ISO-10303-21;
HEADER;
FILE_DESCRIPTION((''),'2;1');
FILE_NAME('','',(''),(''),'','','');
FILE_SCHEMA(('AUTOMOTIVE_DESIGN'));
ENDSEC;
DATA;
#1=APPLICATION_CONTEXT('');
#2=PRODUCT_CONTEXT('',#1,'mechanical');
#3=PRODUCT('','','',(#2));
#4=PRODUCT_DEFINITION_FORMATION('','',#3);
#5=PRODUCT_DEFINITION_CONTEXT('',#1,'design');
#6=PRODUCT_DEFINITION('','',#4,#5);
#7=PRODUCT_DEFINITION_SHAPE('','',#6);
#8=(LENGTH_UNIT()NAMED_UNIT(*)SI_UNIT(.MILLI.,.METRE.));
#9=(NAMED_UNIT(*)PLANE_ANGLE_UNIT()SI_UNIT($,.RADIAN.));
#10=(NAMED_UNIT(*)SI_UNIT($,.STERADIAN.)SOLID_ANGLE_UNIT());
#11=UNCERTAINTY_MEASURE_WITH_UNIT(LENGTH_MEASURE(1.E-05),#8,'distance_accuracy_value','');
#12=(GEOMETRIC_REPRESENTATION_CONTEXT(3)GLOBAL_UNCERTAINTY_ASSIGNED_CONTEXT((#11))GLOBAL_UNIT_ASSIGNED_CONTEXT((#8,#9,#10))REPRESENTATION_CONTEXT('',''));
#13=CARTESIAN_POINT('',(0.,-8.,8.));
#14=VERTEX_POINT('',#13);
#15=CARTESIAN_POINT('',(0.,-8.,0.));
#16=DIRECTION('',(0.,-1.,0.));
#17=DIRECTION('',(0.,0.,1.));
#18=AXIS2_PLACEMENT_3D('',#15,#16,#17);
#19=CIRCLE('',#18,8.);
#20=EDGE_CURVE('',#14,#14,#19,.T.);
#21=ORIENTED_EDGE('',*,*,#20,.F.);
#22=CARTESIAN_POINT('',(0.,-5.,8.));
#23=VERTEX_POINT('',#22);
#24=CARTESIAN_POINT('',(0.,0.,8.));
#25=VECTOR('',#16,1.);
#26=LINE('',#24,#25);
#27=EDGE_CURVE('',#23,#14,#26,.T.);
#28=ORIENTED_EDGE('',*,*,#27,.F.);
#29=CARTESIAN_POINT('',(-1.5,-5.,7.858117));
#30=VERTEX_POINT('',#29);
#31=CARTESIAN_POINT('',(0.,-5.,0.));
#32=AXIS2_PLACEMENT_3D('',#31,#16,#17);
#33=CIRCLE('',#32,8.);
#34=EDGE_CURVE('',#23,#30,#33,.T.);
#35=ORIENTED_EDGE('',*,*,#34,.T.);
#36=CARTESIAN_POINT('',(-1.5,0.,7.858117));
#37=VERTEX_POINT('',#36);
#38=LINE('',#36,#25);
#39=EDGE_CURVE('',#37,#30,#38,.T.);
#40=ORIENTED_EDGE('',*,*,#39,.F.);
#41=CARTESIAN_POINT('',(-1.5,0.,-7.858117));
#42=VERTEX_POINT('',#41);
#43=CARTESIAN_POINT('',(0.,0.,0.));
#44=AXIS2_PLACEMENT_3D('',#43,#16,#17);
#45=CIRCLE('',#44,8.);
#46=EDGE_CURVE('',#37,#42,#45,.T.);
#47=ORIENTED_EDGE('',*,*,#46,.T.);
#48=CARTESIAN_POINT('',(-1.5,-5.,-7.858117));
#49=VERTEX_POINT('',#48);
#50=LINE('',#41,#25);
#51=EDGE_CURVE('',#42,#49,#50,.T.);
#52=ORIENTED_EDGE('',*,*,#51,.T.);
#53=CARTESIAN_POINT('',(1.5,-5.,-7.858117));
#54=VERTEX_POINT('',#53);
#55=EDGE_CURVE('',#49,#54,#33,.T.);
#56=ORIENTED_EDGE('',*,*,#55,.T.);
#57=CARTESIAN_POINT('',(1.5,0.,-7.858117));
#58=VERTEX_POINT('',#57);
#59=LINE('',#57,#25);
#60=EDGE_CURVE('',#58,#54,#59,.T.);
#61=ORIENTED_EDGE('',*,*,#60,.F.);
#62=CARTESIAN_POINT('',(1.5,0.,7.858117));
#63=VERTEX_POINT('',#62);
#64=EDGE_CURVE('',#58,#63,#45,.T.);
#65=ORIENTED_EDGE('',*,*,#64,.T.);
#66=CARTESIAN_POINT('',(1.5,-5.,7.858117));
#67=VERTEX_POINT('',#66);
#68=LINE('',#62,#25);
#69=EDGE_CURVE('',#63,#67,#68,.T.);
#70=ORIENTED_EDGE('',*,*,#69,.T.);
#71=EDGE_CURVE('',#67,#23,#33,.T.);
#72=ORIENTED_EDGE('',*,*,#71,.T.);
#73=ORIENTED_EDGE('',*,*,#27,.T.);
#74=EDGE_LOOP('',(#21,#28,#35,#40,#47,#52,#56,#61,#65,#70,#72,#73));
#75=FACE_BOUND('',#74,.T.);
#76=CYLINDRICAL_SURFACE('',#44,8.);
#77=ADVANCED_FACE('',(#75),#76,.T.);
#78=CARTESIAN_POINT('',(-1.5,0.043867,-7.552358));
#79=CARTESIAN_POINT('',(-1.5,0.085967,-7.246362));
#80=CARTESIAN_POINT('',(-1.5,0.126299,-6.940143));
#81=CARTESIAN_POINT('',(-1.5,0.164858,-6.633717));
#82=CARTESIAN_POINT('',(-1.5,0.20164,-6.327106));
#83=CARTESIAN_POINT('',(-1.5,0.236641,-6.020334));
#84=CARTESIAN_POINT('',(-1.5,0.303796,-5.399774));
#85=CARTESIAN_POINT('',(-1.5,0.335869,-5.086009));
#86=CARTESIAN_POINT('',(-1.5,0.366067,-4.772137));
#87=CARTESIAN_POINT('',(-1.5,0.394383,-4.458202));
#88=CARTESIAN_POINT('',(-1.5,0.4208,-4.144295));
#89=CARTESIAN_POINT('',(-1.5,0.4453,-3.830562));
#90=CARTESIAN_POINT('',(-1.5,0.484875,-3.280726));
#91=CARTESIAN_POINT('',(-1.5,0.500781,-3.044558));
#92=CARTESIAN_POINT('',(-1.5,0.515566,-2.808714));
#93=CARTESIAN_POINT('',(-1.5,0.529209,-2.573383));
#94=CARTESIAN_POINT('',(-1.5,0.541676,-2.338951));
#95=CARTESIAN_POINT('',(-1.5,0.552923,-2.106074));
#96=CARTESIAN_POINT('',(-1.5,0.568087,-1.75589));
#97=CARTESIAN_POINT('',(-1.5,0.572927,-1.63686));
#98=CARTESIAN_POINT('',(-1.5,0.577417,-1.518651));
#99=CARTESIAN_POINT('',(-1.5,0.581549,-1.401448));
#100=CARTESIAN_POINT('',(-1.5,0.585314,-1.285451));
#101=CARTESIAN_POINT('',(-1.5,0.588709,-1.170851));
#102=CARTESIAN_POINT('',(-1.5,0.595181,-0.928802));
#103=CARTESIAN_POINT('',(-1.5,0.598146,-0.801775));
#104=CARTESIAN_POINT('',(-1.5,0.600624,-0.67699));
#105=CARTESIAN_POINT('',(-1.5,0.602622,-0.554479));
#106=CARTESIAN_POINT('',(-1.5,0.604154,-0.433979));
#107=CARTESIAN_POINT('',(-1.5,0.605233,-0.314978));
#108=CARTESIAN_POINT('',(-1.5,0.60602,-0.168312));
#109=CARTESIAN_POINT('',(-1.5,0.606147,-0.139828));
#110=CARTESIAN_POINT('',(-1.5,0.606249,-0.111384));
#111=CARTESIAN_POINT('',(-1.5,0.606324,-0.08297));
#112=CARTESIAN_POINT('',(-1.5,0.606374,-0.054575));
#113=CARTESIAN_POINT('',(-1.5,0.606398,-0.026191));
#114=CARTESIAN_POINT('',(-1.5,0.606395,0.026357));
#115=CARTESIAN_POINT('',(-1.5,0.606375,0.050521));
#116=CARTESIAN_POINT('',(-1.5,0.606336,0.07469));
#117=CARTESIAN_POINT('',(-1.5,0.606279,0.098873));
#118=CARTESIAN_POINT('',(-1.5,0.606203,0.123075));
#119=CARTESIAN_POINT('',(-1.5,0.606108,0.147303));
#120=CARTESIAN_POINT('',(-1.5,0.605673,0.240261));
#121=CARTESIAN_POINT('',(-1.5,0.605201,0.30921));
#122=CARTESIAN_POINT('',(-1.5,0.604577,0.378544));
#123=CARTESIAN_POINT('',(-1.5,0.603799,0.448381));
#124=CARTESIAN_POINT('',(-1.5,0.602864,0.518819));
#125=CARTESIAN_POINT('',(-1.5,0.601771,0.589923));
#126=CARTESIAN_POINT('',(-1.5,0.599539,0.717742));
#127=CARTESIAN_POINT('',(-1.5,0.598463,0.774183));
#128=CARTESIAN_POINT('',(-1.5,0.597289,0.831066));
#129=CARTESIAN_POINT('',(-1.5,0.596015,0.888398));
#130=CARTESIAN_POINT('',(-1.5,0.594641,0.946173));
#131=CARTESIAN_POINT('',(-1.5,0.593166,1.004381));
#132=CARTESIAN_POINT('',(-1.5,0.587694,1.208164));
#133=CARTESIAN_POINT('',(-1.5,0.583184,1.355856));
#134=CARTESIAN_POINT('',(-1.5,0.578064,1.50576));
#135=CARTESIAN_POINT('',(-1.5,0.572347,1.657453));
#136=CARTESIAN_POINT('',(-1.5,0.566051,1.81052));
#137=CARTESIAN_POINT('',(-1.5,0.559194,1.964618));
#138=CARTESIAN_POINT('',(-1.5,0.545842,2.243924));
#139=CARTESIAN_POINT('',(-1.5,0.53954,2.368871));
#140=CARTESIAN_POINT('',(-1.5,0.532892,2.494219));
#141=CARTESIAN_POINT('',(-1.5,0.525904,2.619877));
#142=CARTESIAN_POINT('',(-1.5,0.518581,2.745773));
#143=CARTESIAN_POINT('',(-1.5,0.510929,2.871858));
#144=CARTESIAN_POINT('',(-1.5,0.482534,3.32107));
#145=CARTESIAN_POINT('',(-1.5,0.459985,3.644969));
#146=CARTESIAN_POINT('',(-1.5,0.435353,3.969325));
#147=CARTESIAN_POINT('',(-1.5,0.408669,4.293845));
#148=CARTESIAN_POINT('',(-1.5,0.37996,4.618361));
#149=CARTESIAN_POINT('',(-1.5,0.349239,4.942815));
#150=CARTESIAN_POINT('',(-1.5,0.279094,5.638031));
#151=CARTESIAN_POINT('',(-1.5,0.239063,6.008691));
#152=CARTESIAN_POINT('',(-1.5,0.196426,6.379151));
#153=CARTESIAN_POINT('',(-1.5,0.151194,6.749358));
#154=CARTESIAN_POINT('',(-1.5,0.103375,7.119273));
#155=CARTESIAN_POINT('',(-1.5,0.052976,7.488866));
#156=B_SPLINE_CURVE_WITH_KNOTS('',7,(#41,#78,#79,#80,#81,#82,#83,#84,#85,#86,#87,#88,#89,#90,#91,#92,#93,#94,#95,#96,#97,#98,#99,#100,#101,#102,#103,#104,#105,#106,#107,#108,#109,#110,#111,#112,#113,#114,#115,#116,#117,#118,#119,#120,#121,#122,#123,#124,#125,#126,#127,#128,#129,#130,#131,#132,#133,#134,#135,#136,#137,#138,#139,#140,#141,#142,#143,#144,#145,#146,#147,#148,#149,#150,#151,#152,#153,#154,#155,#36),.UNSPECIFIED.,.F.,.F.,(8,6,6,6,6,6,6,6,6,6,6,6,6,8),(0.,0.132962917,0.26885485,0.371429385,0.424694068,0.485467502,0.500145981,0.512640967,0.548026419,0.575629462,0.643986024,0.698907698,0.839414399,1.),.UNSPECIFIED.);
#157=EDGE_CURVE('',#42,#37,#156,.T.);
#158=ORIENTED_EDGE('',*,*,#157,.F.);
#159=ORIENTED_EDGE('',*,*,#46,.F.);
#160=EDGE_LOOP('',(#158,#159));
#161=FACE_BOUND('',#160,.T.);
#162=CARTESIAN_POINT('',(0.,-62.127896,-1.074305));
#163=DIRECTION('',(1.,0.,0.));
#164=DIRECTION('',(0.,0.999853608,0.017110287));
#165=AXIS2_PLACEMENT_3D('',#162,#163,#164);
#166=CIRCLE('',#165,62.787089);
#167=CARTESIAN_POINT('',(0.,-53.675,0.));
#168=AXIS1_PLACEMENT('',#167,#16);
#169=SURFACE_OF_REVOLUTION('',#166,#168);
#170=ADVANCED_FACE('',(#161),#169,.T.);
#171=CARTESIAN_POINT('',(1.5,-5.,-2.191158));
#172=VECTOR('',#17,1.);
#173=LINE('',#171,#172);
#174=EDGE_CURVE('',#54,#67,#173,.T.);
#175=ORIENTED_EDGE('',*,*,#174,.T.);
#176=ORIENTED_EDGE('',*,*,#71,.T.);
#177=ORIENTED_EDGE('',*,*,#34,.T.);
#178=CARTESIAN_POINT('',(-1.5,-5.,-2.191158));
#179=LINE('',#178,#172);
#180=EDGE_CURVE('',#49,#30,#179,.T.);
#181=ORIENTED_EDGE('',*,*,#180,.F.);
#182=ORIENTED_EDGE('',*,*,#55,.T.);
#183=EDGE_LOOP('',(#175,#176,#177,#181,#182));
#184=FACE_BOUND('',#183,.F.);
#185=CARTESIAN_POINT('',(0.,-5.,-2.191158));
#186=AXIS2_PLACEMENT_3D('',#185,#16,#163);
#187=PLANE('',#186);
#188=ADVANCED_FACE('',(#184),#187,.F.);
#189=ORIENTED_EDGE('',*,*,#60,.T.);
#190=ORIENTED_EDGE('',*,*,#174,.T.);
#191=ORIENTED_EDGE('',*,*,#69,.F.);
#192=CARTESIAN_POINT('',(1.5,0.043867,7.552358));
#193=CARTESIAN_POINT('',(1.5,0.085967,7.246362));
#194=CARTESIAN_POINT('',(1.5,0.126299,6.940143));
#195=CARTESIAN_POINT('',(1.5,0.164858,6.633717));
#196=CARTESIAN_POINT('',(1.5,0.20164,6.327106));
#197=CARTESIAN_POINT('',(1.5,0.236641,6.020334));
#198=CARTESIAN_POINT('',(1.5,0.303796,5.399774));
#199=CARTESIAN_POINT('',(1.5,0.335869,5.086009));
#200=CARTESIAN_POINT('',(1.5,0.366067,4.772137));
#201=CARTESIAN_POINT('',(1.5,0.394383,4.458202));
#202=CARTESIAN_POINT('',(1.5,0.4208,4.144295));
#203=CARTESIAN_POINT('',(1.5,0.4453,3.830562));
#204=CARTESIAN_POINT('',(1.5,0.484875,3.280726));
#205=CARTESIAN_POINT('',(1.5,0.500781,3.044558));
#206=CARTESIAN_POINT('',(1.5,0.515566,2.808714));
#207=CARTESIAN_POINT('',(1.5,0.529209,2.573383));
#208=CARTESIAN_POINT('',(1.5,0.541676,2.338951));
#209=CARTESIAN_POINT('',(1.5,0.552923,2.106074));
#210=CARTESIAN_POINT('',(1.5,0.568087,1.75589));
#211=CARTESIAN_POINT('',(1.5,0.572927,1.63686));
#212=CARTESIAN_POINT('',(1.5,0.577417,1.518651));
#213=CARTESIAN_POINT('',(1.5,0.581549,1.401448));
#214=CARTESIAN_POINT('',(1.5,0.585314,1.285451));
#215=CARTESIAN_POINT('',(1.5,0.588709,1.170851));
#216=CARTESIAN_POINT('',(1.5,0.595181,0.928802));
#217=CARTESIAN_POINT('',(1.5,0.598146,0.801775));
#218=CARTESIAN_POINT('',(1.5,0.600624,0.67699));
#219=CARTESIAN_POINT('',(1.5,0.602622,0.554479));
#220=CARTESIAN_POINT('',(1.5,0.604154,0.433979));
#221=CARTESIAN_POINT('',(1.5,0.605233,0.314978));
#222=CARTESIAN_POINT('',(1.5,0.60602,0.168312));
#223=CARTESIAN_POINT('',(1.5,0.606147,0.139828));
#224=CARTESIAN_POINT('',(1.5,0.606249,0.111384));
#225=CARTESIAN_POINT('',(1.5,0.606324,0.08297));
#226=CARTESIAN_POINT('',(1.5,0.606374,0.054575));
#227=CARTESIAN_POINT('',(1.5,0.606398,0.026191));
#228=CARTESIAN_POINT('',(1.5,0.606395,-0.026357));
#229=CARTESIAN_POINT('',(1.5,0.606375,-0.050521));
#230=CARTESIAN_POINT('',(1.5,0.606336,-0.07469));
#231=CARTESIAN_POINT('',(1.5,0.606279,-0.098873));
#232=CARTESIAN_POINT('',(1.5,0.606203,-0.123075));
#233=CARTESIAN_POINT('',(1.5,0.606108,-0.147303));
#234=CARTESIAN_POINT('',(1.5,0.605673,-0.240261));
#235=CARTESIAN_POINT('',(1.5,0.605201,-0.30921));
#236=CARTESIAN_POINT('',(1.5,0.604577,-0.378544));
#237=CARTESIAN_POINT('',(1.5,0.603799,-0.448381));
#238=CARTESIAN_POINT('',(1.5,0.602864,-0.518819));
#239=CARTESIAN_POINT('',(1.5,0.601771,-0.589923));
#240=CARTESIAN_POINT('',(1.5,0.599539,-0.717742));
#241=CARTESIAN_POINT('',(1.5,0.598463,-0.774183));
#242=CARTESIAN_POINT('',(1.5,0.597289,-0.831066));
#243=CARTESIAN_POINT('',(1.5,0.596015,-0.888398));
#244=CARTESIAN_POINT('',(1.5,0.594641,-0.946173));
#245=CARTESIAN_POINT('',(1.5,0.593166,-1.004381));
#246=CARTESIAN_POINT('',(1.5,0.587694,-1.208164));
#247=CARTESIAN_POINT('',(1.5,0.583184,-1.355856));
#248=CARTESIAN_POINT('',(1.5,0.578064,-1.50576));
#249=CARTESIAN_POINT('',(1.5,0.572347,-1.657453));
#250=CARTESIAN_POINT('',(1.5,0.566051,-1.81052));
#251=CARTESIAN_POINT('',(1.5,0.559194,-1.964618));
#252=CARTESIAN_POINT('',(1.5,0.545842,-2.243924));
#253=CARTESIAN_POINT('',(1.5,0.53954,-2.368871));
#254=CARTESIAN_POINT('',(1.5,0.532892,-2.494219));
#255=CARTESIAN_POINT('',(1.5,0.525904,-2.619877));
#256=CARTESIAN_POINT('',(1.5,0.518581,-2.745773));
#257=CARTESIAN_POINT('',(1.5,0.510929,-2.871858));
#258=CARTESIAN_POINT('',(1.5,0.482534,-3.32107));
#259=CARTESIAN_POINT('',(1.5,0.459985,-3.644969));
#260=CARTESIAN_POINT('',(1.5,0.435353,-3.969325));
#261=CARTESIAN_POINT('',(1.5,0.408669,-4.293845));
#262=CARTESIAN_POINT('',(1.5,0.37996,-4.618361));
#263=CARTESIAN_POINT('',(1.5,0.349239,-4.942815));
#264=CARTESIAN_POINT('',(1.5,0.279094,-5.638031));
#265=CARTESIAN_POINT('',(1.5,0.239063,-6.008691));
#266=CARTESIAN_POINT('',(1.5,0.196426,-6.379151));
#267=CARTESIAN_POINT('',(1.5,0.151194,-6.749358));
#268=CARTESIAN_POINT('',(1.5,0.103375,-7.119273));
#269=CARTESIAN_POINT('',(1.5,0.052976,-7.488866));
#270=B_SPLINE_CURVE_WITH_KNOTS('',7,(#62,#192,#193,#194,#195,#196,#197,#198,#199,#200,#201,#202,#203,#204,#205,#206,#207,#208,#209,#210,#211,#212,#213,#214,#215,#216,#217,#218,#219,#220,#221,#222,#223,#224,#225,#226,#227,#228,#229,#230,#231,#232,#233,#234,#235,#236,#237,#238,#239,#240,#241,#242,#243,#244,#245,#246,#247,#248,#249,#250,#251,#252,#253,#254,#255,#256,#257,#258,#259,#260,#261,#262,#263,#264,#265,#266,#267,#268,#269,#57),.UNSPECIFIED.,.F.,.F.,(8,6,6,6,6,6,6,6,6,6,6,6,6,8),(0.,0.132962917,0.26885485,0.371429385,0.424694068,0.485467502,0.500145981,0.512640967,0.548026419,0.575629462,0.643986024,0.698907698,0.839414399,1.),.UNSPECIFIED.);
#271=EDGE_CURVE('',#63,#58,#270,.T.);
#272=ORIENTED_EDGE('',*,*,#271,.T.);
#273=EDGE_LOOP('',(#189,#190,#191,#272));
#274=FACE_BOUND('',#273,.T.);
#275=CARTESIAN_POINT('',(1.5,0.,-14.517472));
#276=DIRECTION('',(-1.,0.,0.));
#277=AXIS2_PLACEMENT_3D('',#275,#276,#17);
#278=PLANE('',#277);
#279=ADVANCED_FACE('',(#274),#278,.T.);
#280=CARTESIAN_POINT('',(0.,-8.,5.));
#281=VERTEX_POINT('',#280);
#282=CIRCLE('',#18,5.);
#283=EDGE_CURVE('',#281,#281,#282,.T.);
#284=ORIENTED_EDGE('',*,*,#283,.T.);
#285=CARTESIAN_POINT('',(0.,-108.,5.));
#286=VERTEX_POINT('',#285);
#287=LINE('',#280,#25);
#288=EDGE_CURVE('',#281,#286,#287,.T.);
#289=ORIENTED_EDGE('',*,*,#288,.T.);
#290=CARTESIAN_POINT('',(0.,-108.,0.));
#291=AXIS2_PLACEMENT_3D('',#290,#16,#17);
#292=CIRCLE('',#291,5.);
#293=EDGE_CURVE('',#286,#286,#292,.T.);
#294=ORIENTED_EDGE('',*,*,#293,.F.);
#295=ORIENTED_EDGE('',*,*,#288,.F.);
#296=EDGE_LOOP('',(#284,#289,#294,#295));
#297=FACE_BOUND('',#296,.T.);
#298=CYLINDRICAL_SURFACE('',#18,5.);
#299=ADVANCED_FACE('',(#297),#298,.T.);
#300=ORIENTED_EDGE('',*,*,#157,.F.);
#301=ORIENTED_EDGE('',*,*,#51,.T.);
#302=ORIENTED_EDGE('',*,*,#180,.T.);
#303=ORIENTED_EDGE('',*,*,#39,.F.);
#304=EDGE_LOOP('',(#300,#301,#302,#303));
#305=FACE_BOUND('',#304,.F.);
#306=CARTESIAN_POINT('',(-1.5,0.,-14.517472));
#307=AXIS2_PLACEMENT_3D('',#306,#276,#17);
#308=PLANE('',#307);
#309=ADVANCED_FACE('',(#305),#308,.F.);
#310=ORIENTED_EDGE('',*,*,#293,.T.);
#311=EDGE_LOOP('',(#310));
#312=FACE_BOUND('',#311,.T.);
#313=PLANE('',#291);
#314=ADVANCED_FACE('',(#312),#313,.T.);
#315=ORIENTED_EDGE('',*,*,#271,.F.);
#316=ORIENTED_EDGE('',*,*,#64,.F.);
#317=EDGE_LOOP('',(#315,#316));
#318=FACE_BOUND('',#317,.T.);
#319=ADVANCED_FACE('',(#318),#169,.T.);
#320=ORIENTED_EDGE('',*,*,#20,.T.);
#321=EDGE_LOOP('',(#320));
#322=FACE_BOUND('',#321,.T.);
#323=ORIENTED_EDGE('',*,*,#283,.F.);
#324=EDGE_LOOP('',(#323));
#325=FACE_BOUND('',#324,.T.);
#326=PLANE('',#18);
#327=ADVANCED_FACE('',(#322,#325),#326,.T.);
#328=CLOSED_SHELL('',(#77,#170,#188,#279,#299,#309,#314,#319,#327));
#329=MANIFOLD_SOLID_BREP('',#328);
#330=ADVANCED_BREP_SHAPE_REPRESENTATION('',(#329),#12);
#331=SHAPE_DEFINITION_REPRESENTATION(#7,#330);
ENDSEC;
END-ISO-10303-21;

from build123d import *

# Parameters (mm, degrees)
F2_W          = 3
F2_H          = 24.6526273781
F3_DEPTH      = 25
F3_DEPTH_BACK = 5


with BuildPart() as f1:
    # F0 (on Right) → F1 (revolve)
    with BuildSketch(Plane.YZ):
        with BuildLine():
            ThreePointArc((0.6500009331, 0), (0.452965907, 4.010397207), (0, 8))
            Line((0, 8), (-8, 8))
            Line((-8, 8), (-8, 5))
            Line((-8, 5), (-108, 5))
            Line((-108, 5), (-108, 0))
            Line((-108, 0), (0.6500009331, 0))
        make_face()
    revolve(axis=Axis((0, -53.6749995335, 0), (0, -1, 0)))

    # F2 (on Front) → F3 (cut, two sides)
    with BuildSketch(Plane.XZ) as f3_sk:
        with Locations((0, -2.1911582444)):
            Rectangle(F2_W, F2_H)
    extrude(amount=-F3_DEPTH, mode=Mode.SUBTRACT)
    extrude(f3_sk.sketch, amount=F3_DEPTH_BACK, mode=Mode.SUBTRACT)


solid = f1.part
